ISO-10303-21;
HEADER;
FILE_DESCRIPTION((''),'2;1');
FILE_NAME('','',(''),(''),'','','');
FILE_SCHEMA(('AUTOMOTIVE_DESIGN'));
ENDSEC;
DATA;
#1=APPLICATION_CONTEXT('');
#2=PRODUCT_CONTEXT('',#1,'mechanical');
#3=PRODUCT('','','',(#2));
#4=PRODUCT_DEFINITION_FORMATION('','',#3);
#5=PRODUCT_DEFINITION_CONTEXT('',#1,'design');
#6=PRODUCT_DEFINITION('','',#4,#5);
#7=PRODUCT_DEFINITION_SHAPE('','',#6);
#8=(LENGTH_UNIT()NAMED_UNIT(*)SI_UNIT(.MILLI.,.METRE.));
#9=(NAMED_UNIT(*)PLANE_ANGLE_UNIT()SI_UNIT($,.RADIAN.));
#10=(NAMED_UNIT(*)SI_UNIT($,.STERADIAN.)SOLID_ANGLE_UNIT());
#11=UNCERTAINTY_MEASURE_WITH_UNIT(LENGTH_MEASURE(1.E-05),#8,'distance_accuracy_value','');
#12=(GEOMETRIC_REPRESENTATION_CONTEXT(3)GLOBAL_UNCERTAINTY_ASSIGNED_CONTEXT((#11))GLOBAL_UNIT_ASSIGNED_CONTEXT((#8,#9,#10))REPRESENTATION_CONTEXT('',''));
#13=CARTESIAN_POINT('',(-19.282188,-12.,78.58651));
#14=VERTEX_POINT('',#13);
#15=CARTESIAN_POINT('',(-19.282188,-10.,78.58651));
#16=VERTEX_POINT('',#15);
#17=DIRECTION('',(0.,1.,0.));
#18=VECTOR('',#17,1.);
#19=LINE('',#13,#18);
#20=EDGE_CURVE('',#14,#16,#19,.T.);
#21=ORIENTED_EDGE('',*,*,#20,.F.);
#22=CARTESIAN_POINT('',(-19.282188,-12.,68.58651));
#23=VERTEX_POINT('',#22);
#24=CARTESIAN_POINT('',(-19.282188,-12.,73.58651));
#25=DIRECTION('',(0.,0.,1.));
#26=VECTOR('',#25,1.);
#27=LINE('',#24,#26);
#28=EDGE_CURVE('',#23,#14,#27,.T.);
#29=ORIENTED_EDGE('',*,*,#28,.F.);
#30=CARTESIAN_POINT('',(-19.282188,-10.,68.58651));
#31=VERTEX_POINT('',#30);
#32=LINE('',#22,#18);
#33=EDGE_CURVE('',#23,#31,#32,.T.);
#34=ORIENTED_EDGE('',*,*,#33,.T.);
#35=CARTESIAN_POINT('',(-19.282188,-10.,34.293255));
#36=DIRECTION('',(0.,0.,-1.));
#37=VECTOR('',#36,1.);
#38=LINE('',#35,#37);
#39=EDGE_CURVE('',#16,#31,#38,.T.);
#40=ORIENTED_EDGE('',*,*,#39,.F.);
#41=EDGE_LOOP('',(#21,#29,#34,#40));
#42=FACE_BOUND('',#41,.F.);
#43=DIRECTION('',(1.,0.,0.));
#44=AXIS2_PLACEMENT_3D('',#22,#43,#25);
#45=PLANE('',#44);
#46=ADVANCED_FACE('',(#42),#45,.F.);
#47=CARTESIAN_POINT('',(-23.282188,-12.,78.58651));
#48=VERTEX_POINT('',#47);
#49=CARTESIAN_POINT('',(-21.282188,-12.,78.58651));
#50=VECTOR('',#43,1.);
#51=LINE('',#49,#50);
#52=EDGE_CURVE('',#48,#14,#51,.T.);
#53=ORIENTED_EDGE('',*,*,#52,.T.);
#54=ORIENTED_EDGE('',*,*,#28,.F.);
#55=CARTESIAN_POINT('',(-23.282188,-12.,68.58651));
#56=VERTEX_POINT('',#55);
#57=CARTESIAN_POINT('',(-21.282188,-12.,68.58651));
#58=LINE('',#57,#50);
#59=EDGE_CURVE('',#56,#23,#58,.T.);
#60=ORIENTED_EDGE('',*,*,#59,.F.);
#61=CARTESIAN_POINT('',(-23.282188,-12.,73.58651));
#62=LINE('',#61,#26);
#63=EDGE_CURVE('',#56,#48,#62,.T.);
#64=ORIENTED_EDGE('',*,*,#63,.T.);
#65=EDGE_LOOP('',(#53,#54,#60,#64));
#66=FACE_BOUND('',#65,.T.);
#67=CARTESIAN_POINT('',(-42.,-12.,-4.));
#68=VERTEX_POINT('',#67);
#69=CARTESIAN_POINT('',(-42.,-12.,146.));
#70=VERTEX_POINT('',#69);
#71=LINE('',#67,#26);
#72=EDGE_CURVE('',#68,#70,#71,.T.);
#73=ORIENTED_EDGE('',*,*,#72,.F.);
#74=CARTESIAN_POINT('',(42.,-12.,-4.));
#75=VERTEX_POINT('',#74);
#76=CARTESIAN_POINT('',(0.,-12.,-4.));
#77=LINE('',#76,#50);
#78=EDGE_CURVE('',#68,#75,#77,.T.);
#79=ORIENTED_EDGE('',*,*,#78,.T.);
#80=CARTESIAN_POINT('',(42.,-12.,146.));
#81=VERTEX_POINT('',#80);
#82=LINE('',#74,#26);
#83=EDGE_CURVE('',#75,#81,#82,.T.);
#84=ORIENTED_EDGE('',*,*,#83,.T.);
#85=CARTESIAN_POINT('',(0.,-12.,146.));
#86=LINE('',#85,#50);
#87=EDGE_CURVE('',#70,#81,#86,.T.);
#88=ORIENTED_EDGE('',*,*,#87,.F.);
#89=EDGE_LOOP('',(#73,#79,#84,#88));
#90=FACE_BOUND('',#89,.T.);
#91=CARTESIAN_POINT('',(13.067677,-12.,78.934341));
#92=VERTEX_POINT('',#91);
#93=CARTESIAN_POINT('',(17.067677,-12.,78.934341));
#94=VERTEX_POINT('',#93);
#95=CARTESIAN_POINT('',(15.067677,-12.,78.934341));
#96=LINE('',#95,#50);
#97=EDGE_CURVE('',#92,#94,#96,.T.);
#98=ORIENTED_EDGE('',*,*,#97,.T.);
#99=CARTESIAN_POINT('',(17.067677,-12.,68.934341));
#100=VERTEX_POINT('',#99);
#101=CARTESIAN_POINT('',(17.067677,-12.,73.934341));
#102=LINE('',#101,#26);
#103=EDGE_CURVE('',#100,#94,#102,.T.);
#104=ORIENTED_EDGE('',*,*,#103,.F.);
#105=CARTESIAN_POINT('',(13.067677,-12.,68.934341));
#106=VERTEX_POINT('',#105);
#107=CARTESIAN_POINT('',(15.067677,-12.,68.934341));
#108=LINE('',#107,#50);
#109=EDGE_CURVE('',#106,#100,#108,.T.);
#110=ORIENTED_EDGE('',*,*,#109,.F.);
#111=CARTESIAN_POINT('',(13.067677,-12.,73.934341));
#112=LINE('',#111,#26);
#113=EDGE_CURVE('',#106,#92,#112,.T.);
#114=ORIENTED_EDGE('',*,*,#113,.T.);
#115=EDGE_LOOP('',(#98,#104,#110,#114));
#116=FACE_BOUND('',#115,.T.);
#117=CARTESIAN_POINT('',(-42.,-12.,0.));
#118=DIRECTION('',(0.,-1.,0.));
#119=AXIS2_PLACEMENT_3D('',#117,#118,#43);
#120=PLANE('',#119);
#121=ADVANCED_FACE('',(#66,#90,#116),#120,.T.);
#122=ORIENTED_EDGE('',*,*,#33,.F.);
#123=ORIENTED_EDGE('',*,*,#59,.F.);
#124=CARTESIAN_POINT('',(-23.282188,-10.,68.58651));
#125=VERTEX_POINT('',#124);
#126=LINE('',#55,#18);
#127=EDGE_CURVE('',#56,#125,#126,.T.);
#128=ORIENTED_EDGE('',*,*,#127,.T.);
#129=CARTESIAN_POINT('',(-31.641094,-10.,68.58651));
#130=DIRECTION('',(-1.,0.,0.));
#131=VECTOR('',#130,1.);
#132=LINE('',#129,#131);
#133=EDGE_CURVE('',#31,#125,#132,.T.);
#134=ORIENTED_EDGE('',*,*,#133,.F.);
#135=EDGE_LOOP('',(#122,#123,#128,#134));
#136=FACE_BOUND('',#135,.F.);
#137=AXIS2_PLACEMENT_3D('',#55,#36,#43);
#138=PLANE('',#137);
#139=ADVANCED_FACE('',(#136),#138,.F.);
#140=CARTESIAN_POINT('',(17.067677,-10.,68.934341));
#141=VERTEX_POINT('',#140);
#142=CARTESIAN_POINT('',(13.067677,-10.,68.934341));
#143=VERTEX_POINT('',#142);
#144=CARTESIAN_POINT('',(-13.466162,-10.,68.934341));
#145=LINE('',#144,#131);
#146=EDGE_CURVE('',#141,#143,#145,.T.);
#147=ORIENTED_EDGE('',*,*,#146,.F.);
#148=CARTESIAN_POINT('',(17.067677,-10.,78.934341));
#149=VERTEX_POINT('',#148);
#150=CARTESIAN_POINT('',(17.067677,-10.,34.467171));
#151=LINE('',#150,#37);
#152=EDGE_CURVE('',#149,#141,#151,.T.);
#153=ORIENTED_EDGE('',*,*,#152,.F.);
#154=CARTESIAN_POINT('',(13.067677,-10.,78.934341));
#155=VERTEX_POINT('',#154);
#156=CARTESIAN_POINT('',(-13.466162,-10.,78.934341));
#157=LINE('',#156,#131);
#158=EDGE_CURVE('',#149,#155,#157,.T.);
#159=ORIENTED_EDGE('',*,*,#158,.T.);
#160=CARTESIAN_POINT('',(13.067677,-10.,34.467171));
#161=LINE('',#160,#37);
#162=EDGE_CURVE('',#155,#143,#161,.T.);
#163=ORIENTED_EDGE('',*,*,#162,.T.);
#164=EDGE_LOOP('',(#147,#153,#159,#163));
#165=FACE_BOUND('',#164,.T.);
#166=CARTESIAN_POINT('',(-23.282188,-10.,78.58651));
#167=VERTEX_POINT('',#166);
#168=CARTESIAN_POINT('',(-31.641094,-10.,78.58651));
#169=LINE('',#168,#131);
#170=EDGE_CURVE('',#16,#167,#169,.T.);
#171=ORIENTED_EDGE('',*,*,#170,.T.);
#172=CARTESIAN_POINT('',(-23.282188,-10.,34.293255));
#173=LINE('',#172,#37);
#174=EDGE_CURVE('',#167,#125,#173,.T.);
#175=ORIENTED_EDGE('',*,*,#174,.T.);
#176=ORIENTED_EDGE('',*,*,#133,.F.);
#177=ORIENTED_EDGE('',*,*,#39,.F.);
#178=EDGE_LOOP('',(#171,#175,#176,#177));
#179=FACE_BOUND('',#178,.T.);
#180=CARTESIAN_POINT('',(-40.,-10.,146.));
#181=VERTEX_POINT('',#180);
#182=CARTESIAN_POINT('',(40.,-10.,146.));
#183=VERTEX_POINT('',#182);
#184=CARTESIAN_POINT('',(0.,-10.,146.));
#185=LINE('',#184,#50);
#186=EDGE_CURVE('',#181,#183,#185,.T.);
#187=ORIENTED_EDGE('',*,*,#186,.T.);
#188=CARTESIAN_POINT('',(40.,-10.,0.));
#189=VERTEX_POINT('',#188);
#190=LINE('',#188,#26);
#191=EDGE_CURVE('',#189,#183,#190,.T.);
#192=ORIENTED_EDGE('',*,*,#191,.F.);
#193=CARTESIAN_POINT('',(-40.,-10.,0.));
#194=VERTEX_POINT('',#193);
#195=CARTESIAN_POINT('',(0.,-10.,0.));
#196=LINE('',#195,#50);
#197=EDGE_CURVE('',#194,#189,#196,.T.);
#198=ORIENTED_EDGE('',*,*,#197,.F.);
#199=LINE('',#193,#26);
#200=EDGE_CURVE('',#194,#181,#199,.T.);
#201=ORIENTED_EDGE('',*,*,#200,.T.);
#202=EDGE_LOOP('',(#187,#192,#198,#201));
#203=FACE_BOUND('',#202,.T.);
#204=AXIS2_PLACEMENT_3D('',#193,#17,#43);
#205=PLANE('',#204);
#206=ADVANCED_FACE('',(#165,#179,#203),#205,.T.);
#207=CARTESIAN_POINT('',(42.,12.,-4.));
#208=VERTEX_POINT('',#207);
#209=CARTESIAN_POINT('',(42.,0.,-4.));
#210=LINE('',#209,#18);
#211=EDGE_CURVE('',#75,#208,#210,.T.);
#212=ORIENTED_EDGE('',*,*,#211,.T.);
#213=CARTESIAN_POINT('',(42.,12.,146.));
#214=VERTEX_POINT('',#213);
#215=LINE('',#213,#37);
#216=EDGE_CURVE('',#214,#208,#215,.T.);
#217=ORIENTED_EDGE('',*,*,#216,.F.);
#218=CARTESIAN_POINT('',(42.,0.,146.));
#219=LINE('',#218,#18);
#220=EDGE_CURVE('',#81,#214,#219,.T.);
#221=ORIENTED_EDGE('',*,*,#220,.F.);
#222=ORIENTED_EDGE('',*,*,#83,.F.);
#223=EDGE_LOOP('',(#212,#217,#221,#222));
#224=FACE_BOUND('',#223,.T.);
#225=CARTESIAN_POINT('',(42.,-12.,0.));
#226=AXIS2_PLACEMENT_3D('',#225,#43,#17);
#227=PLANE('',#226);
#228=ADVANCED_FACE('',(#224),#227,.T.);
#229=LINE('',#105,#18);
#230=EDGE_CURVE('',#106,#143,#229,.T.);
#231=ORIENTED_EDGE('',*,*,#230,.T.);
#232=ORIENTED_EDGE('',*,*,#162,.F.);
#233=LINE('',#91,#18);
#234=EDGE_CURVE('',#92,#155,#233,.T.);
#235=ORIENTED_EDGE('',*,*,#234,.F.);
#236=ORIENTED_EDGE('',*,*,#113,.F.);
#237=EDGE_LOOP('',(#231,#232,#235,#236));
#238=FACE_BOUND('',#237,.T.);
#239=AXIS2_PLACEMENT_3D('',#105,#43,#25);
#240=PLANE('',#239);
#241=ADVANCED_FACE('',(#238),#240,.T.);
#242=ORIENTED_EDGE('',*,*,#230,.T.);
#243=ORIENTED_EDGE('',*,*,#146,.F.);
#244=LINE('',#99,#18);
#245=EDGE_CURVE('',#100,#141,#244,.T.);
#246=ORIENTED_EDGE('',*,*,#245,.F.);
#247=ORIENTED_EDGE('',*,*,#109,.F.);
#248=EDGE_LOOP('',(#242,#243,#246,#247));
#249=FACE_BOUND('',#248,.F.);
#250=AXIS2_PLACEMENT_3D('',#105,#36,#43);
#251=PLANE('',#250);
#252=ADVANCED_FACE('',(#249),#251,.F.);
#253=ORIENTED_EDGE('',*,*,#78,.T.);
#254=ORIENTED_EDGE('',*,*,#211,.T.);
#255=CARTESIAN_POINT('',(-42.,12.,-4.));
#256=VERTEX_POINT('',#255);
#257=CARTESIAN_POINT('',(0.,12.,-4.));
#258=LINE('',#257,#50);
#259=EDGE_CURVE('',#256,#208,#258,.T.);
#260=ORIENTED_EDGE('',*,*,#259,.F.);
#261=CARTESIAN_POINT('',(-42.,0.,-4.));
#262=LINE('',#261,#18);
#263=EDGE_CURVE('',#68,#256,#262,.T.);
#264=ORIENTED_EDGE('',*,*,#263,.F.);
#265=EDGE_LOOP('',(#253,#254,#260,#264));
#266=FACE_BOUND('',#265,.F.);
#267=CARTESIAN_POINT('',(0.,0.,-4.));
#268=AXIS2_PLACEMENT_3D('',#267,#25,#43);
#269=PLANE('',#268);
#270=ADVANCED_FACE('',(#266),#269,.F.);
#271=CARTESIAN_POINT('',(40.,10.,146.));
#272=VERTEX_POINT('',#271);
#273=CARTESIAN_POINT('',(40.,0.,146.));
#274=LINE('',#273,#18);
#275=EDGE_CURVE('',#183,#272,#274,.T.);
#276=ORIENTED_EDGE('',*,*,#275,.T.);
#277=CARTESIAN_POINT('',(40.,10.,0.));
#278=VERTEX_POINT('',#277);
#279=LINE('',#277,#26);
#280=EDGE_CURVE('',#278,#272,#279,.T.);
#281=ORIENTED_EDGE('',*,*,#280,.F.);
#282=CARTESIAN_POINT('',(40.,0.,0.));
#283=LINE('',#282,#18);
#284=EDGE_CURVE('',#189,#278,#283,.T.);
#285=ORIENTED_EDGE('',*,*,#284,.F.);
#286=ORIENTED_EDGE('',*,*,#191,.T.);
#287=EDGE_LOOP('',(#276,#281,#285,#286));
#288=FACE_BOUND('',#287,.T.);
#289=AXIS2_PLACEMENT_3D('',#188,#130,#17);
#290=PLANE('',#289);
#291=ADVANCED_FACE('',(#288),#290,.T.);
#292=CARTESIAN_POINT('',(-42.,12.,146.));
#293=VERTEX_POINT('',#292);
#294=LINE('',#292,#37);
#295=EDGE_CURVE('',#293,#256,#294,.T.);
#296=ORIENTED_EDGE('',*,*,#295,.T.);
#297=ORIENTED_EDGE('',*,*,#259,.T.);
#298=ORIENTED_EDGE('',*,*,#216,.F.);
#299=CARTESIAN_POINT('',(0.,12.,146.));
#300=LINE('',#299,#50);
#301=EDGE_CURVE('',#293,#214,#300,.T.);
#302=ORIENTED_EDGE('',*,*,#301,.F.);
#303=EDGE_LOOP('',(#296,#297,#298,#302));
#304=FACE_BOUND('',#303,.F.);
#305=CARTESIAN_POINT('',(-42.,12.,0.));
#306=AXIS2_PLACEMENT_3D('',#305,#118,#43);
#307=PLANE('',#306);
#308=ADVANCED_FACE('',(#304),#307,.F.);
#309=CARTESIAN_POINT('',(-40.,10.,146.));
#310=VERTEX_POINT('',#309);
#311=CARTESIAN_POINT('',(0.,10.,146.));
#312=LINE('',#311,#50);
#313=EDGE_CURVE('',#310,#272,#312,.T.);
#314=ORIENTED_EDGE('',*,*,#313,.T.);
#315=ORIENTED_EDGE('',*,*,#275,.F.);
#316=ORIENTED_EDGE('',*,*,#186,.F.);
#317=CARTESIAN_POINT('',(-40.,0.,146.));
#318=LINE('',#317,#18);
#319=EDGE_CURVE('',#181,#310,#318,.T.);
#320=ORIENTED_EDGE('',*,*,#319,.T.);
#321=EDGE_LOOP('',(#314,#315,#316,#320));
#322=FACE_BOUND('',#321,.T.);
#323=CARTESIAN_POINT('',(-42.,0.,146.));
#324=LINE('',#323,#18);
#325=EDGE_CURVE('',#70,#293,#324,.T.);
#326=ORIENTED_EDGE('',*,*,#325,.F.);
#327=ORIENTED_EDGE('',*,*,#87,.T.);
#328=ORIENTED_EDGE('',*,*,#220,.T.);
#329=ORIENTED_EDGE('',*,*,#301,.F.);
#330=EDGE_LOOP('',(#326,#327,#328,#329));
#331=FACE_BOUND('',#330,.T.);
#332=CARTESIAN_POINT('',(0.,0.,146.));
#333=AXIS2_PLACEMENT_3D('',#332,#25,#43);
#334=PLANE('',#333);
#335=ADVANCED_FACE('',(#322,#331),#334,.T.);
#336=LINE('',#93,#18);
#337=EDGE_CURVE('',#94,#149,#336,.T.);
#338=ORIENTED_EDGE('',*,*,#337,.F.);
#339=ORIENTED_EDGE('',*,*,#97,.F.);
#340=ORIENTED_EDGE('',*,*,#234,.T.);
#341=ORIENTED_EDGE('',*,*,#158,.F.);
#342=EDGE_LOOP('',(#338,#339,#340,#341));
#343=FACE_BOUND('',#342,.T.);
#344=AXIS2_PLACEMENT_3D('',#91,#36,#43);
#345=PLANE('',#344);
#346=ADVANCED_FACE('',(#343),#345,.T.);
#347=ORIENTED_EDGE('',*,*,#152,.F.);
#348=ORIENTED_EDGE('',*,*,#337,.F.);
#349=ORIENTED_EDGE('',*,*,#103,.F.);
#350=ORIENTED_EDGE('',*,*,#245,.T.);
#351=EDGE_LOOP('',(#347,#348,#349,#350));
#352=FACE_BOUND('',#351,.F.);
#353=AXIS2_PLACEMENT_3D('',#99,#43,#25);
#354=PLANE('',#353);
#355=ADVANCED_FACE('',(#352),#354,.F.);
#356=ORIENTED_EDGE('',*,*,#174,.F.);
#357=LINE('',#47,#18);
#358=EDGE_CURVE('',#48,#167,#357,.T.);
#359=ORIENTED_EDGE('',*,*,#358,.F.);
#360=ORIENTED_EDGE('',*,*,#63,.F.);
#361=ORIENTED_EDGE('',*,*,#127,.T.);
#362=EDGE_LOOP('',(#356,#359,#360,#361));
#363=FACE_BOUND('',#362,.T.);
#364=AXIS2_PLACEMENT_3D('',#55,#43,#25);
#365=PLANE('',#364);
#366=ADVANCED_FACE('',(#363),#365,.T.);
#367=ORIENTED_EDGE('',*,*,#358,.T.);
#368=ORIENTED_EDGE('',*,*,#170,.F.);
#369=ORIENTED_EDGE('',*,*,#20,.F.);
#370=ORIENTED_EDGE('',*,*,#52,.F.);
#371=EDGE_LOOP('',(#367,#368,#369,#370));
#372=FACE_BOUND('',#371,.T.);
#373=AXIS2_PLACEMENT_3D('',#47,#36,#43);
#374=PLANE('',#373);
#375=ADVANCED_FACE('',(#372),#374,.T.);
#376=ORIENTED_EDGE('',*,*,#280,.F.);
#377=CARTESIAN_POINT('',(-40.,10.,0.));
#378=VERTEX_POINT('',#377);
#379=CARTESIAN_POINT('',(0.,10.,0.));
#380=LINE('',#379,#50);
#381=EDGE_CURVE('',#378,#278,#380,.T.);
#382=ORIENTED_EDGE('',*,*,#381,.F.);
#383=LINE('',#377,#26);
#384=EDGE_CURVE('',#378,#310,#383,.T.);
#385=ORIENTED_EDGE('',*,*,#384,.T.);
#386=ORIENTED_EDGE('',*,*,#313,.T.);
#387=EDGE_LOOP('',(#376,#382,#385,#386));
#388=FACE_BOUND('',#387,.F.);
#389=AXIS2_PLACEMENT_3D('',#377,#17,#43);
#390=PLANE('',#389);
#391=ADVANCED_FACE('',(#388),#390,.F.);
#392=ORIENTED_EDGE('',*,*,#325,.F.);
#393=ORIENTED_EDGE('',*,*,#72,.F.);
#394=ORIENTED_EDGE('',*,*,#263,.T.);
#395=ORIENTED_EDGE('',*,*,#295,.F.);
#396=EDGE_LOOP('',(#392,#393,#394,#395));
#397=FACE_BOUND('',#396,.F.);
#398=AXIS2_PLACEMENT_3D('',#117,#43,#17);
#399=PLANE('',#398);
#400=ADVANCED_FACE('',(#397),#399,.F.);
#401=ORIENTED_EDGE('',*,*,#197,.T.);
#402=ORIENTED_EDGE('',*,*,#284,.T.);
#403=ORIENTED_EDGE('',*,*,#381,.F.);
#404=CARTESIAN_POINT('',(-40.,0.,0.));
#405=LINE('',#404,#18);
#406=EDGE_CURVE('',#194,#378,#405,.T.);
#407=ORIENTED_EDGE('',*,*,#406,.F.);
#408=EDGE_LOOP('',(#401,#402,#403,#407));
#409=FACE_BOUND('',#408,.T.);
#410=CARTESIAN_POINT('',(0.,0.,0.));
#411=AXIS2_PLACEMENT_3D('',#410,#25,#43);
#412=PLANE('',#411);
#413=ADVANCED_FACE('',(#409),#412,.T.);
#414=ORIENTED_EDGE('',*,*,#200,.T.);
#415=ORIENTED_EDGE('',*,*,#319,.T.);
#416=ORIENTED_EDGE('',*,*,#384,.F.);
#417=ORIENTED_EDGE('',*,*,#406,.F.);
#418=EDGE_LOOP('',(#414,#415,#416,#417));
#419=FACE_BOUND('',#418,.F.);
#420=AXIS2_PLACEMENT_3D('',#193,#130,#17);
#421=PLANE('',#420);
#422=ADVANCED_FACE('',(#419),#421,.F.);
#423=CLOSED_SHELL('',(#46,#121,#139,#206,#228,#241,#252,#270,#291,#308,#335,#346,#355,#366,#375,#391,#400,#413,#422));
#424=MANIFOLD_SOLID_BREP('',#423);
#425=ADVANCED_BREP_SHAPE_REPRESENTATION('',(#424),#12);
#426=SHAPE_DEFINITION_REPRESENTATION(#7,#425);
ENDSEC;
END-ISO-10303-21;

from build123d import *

# Parameters (mm, degrees)
F1_W     = 84
F1_H     = 24
F2_DEPTH = 146
F3_DEPTH = 4
F0_W     = 80
F0_H     = 20
F4_DEPTH = 146
F5_W     = 4
F5_H     = 10
F6_DEPTH = 3.9


with BuildPart() as f2:
    # F1 (on Top) → F2 (new body)
    with BuildSketch(Plane.XY):
        Rectangle(F1_W, F1_H)
    extrude(amount=F2_DEPTH)

    # F1 (on Top) → F3 (join)
    with BuildSketch(Plane.XY):
        Rectangle(F1_W, F1_H)
    extrude(amount=-F3_DEPTH)

    # F0 (on Top) → F4 (cut)
    with BuildSketch(Plane.XY):
        Rectangle(F0_W, F0_H)
    extrude(amount=F4_DEPTH, mode=Mode.SUBTRACT)

    # F5 (on face) → F6 (cut)
    with BuildSketch(Plane.XZ.offset(12)):
        with Locations((-21.282188, 73.58651)):
            Rectangle(F5_W, F5_H)
        with Locations((15.067677, 73.934341)):
            Rectangle(F5_W, F5_H)
    extrude(amount=-F6_DEPTH, mode=Mode.SUBTRACT)


solid = f2.part
